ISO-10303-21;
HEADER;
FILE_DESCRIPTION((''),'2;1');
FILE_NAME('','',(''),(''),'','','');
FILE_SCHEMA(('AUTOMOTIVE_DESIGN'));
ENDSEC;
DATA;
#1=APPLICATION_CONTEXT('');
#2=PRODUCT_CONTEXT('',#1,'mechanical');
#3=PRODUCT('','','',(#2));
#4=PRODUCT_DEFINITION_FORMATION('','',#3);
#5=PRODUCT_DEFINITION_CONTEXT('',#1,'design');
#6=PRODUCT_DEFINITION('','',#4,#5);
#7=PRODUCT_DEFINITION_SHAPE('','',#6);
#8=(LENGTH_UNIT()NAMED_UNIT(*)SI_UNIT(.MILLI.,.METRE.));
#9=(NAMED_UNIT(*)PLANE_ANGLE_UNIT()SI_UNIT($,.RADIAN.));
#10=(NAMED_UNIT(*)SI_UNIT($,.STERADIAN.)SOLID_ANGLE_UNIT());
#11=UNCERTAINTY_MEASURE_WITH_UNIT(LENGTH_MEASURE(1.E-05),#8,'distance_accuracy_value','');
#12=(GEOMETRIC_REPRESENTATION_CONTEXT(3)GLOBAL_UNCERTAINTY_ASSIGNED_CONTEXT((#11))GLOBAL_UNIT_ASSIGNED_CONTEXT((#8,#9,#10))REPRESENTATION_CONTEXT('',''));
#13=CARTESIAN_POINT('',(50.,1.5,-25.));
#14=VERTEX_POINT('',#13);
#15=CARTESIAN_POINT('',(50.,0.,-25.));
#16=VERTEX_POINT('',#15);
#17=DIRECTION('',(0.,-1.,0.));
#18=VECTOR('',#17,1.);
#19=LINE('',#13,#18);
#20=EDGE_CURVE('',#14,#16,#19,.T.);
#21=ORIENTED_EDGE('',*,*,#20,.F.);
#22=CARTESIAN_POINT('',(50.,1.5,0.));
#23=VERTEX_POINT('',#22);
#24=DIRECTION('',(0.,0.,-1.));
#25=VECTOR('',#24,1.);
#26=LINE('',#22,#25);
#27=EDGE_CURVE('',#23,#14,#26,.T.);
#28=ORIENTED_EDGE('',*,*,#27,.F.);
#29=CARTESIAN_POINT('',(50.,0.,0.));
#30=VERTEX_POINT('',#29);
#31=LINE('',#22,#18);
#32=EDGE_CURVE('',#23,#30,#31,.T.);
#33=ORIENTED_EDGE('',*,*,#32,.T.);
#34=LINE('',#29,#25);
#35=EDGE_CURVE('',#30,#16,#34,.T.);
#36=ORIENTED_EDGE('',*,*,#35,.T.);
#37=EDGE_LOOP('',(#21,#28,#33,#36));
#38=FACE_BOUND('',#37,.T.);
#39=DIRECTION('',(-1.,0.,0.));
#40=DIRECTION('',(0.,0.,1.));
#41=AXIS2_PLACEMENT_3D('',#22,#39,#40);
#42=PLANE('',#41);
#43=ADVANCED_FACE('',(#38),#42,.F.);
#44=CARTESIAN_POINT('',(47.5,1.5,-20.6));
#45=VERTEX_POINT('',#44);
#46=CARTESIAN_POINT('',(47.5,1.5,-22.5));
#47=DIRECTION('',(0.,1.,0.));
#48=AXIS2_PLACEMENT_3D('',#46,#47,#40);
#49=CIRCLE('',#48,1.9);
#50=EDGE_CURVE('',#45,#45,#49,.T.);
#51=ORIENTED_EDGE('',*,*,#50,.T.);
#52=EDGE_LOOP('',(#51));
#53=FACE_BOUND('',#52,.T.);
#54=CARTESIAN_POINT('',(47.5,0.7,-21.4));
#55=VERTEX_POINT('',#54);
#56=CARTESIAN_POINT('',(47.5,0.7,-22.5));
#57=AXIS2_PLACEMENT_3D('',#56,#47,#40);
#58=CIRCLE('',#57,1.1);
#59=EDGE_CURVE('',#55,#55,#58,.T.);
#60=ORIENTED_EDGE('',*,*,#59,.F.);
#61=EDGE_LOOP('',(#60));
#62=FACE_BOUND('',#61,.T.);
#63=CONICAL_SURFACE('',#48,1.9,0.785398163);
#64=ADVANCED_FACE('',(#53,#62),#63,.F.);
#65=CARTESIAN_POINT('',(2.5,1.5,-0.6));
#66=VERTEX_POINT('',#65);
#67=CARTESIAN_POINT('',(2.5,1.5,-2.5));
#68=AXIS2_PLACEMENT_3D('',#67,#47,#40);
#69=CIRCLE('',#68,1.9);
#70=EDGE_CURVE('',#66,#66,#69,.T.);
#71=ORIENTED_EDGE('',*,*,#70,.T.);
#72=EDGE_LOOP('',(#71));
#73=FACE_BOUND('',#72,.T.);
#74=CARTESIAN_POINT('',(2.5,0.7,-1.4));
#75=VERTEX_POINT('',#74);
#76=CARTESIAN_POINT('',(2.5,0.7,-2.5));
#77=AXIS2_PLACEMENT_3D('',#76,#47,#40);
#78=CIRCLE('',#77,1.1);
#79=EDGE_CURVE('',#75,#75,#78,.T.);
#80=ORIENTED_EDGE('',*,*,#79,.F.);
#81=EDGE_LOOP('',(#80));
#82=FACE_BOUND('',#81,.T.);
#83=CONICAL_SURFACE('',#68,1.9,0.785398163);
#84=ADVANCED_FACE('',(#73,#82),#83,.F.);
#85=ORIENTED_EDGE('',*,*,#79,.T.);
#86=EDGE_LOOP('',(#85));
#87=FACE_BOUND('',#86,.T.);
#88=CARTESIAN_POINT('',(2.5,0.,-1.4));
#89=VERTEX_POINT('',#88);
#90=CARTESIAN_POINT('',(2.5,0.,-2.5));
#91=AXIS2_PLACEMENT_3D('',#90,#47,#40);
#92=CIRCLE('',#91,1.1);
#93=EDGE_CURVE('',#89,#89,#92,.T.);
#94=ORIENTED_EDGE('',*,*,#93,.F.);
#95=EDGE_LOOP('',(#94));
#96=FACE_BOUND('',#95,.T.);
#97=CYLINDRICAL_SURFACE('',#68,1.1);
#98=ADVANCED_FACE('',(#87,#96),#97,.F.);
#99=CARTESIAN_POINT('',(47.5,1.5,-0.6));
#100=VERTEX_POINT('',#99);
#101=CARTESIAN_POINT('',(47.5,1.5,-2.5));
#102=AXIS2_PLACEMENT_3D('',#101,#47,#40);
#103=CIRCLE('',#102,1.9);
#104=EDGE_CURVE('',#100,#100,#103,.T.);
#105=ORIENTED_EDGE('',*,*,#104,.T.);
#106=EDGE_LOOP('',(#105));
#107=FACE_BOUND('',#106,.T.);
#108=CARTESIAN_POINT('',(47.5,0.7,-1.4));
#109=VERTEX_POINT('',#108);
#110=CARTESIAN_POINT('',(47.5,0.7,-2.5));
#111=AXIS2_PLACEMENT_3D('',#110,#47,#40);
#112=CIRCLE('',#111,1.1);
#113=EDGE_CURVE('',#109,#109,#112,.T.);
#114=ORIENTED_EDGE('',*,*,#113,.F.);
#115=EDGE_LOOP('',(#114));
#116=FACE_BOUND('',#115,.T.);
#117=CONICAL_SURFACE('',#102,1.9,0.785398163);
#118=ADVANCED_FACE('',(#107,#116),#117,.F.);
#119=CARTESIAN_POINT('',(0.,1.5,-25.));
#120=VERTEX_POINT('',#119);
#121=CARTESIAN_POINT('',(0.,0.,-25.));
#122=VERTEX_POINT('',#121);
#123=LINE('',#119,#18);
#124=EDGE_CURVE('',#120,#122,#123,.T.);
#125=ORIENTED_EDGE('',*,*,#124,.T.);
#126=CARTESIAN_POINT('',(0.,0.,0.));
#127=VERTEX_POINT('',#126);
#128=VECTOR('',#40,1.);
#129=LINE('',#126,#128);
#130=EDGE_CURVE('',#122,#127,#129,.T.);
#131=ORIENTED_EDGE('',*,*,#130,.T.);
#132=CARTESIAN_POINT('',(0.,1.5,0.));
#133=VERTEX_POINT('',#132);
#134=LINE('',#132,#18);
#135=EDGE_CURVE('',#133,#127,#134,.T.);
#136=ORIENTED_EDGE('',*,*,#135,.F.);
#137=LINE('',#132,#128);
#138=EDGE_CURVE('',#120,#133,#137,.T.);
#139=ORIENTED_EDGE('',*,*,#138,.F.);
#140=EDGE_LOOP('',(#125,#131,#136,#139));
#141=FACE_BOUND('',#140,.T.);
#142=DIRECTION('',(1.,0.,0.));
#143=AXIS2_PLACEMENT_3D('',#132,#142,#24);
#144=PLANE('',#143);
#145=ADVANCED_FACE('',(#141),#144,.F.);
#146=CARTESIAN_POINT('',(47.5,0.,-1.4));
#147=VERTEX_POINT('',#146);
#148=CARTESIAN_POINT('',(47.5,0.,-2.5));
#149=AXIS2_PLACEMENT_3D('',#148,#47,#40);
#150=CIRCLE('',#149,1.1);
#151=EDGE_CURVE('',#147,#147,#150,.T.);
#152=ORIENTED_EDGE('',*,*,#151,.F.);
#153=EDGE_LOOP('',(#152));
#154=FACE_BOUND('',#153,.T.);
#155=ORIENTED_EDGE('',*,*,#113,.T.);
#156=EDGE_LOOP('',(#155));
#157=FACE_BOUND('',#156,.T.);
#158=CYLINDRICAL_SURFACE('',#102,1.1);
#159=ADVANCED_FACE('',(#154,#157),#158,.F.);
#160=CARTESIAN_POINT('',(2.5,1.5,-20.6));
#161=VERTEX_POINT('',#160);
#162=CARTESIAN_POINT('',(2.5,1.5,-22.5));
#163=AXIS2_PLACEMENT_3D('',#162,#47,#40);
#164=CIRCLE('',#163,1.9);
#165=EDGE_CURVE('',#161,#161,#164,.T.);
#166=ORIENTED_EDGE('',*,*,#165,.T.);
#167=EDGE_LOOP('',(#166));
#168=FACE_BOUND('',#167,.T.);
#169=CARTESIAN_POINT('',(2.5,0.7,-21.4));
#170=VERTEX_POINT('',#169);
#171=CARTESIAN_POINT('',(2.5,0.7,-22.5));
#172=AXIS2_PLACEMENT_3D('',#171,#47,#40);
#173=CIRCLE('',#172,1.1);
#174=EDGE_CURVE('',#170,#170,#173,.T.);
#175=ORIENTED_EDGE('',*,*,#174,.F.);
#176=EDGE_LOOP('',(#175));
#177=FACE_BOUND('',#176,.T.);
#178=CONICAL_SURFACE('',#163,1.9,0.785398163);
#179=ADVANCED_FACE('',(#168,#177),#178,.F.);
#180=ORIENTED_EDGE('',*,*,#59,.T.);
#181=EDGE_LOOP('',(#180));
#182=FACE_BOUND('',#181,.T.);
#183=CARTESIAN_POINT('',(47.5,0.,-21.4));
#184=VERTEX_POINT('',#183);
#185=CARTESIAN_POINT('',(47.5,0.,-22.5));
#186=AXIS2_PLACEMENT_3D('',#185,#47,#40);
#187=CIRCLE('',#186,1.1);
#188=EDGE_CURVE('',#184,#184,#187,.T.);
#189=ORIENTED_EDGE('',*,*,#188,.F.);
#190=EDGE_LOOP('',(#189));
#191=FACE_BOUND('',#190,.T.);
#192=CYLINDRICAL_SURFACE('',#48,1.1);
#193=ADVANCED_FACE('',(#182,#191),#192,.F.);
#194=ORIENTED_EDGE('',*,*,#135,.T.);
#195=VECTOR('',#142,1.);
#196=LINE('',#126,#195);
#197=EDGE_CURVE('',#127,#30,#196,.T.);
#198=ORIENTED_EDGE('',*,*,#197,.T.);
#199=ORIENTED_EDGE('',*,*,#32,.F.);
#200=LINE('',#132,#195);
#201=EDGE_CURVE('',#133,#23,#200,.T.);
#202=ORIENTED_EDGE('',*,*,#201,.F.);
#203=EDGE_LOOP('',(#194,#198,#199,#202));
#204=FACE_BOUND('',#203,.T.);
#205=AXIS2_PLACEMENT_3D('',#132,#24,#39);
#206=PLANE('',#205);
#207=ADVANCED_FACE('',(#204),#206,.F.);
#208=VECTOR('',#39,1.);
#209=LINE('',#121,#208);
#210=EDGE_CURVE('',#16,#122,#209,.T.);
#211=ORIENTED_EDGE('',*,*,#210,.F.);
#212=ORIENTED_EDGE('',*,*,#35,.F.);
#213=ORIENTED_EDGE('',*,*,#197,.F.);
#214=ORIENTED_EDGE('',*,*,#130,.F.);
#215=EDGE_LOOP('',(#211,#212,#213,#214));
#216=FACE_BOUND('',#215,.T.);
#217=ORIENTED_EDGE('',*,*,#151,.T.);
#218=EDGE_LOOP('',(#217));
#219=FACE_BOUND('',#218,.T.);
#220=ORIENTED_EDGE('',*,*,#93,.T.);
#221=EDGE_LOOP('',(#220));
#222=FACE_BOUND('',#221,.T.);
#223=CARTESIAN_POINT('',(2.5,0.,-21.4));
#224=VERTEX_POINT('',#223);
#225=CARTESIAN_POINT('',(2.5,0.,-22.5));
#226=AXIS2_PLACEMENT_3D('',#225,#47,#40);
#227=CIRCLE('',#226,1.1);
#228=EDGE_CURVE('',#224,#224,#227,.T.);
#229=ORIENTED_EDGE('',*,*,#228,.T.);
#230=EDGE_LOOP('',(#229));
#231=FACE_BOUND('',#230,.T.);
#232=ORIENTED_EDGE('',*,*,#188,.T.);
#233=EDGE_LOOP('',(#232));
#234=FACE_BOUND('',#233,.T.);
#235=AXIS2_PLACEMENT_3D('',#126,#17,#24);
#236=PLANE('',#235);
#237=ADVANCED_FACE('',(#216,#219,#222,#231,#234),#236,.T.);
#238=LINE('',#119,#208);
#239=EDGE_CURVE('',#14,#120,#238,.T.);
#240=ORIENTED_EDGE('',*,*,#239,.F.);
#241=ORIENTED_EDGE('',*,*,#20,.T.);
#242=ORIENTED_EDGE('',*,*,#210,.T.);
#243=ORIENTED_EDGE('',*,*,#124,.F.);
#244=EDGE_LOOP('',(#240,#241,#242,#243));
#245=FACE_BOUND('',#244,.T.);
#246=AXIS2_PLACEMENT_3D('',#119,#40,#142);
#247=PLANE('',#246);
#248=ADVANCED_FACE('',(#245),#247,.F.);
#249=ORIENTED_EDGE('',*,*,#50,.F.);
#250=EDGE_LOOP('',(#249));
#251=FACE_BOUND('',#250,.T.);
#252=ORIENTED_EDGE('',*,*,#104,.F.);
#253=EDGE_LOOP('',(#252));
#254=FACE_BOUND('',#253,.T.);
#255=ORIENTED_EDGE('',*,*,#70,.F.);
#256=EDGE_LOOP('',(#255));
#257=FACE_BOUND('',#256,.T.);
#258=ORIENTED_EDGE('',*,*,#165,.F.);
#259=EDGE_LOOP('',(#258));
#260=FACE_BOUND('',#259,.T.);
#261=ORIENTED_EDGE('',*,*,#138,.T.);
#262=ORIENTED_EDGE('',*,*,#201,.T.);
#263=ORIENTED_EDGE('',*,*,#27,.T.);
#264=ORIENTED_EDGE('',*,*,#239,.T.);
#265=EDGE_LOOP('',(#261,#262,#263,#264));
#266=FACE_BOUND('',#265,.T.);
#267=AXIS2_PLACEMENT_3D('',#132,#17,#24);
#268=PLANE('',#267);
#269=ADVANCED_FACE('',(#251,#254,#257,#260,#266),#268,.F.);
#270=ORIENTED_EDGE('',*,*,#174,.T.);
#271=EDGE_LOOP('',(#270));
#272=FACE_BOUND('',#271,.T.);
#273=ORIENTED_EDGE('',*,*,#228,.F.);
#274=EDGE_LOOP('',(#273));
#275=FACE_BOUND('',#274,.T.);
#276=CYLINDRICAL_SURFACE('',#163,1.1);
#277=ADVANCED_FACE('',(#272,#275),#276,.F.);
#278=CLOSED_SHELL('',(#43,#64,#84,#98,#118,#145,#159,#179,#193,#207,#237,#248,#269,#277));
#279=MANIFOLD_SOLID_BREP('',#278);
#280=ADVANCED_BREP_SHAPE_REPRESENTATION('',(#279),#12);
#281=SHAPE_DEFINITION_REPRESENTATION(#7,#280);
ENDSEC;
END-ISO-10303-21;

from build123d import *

# Parameters (mm, degrees)
SKETCH_1_W                  = 50
SKETCH_1_H                  = 25
EXTRUDE_1_DEPTH             = 1.5
PATTERN_LINEAR_2_COUNT      = 2
PATTERN_LINEAR_2_PITCH      = 45
PATTERN_LINEAR_2_COUNT_DIR2 = 2
PATTERN_LINEAR_2_PITCH_DIR2 = 20


with BuildPart() as part:
    # 草图1 → 凸台-拉伸1 (new body)
    with BuildSketch(Plane(origin=(0, 0, 0), x_dir=(1, 0, 0), z_dir=(0, 1, 0))):
        with Locations((25, 12.5)):
            Rectangle(SKETCH_1_W, SKETCH_1_H)
    extrude(amount=EXTRUDE_1_DEPTH)

    # 草图3 → M2 平头机械螺钉的锥形沉头孔1 (revolve, cut)
    with BuildSketch(Plane(origin=(2.5, 1.5, -22.5), x_dir=(0, 0, 1), z_dir=(1, 0, 0))):
        Polygon((0, 0), (0, 1.5), (1.1, 1.5), (1.1, 0.8), (1.9, 0), align=None)
    hole_wizard_m2_1 = revolve(axis=Axis((2.5, 7.85, -22.5), (0, -1, 0)), mode=Mode.SUBTRACT)

    # 阵列(线性)2: Hole Wizard M2 _1 2 × 2
    with Locations(*[(i * PATTERN_LINEAR_2_PITCH, 0, j * PATTERN_LINEAR_2_PITCH_DIR2) for i in range(PATTERN_LINEAR_2_COUNT) for j in range(PATTERN_LINEAR_2_COUNT_DIR2) if (i, j) != (0, 0)]):
        add(hole_wizard_m2_1, mode=Mode.SUBTRACT)


solid = part.part
